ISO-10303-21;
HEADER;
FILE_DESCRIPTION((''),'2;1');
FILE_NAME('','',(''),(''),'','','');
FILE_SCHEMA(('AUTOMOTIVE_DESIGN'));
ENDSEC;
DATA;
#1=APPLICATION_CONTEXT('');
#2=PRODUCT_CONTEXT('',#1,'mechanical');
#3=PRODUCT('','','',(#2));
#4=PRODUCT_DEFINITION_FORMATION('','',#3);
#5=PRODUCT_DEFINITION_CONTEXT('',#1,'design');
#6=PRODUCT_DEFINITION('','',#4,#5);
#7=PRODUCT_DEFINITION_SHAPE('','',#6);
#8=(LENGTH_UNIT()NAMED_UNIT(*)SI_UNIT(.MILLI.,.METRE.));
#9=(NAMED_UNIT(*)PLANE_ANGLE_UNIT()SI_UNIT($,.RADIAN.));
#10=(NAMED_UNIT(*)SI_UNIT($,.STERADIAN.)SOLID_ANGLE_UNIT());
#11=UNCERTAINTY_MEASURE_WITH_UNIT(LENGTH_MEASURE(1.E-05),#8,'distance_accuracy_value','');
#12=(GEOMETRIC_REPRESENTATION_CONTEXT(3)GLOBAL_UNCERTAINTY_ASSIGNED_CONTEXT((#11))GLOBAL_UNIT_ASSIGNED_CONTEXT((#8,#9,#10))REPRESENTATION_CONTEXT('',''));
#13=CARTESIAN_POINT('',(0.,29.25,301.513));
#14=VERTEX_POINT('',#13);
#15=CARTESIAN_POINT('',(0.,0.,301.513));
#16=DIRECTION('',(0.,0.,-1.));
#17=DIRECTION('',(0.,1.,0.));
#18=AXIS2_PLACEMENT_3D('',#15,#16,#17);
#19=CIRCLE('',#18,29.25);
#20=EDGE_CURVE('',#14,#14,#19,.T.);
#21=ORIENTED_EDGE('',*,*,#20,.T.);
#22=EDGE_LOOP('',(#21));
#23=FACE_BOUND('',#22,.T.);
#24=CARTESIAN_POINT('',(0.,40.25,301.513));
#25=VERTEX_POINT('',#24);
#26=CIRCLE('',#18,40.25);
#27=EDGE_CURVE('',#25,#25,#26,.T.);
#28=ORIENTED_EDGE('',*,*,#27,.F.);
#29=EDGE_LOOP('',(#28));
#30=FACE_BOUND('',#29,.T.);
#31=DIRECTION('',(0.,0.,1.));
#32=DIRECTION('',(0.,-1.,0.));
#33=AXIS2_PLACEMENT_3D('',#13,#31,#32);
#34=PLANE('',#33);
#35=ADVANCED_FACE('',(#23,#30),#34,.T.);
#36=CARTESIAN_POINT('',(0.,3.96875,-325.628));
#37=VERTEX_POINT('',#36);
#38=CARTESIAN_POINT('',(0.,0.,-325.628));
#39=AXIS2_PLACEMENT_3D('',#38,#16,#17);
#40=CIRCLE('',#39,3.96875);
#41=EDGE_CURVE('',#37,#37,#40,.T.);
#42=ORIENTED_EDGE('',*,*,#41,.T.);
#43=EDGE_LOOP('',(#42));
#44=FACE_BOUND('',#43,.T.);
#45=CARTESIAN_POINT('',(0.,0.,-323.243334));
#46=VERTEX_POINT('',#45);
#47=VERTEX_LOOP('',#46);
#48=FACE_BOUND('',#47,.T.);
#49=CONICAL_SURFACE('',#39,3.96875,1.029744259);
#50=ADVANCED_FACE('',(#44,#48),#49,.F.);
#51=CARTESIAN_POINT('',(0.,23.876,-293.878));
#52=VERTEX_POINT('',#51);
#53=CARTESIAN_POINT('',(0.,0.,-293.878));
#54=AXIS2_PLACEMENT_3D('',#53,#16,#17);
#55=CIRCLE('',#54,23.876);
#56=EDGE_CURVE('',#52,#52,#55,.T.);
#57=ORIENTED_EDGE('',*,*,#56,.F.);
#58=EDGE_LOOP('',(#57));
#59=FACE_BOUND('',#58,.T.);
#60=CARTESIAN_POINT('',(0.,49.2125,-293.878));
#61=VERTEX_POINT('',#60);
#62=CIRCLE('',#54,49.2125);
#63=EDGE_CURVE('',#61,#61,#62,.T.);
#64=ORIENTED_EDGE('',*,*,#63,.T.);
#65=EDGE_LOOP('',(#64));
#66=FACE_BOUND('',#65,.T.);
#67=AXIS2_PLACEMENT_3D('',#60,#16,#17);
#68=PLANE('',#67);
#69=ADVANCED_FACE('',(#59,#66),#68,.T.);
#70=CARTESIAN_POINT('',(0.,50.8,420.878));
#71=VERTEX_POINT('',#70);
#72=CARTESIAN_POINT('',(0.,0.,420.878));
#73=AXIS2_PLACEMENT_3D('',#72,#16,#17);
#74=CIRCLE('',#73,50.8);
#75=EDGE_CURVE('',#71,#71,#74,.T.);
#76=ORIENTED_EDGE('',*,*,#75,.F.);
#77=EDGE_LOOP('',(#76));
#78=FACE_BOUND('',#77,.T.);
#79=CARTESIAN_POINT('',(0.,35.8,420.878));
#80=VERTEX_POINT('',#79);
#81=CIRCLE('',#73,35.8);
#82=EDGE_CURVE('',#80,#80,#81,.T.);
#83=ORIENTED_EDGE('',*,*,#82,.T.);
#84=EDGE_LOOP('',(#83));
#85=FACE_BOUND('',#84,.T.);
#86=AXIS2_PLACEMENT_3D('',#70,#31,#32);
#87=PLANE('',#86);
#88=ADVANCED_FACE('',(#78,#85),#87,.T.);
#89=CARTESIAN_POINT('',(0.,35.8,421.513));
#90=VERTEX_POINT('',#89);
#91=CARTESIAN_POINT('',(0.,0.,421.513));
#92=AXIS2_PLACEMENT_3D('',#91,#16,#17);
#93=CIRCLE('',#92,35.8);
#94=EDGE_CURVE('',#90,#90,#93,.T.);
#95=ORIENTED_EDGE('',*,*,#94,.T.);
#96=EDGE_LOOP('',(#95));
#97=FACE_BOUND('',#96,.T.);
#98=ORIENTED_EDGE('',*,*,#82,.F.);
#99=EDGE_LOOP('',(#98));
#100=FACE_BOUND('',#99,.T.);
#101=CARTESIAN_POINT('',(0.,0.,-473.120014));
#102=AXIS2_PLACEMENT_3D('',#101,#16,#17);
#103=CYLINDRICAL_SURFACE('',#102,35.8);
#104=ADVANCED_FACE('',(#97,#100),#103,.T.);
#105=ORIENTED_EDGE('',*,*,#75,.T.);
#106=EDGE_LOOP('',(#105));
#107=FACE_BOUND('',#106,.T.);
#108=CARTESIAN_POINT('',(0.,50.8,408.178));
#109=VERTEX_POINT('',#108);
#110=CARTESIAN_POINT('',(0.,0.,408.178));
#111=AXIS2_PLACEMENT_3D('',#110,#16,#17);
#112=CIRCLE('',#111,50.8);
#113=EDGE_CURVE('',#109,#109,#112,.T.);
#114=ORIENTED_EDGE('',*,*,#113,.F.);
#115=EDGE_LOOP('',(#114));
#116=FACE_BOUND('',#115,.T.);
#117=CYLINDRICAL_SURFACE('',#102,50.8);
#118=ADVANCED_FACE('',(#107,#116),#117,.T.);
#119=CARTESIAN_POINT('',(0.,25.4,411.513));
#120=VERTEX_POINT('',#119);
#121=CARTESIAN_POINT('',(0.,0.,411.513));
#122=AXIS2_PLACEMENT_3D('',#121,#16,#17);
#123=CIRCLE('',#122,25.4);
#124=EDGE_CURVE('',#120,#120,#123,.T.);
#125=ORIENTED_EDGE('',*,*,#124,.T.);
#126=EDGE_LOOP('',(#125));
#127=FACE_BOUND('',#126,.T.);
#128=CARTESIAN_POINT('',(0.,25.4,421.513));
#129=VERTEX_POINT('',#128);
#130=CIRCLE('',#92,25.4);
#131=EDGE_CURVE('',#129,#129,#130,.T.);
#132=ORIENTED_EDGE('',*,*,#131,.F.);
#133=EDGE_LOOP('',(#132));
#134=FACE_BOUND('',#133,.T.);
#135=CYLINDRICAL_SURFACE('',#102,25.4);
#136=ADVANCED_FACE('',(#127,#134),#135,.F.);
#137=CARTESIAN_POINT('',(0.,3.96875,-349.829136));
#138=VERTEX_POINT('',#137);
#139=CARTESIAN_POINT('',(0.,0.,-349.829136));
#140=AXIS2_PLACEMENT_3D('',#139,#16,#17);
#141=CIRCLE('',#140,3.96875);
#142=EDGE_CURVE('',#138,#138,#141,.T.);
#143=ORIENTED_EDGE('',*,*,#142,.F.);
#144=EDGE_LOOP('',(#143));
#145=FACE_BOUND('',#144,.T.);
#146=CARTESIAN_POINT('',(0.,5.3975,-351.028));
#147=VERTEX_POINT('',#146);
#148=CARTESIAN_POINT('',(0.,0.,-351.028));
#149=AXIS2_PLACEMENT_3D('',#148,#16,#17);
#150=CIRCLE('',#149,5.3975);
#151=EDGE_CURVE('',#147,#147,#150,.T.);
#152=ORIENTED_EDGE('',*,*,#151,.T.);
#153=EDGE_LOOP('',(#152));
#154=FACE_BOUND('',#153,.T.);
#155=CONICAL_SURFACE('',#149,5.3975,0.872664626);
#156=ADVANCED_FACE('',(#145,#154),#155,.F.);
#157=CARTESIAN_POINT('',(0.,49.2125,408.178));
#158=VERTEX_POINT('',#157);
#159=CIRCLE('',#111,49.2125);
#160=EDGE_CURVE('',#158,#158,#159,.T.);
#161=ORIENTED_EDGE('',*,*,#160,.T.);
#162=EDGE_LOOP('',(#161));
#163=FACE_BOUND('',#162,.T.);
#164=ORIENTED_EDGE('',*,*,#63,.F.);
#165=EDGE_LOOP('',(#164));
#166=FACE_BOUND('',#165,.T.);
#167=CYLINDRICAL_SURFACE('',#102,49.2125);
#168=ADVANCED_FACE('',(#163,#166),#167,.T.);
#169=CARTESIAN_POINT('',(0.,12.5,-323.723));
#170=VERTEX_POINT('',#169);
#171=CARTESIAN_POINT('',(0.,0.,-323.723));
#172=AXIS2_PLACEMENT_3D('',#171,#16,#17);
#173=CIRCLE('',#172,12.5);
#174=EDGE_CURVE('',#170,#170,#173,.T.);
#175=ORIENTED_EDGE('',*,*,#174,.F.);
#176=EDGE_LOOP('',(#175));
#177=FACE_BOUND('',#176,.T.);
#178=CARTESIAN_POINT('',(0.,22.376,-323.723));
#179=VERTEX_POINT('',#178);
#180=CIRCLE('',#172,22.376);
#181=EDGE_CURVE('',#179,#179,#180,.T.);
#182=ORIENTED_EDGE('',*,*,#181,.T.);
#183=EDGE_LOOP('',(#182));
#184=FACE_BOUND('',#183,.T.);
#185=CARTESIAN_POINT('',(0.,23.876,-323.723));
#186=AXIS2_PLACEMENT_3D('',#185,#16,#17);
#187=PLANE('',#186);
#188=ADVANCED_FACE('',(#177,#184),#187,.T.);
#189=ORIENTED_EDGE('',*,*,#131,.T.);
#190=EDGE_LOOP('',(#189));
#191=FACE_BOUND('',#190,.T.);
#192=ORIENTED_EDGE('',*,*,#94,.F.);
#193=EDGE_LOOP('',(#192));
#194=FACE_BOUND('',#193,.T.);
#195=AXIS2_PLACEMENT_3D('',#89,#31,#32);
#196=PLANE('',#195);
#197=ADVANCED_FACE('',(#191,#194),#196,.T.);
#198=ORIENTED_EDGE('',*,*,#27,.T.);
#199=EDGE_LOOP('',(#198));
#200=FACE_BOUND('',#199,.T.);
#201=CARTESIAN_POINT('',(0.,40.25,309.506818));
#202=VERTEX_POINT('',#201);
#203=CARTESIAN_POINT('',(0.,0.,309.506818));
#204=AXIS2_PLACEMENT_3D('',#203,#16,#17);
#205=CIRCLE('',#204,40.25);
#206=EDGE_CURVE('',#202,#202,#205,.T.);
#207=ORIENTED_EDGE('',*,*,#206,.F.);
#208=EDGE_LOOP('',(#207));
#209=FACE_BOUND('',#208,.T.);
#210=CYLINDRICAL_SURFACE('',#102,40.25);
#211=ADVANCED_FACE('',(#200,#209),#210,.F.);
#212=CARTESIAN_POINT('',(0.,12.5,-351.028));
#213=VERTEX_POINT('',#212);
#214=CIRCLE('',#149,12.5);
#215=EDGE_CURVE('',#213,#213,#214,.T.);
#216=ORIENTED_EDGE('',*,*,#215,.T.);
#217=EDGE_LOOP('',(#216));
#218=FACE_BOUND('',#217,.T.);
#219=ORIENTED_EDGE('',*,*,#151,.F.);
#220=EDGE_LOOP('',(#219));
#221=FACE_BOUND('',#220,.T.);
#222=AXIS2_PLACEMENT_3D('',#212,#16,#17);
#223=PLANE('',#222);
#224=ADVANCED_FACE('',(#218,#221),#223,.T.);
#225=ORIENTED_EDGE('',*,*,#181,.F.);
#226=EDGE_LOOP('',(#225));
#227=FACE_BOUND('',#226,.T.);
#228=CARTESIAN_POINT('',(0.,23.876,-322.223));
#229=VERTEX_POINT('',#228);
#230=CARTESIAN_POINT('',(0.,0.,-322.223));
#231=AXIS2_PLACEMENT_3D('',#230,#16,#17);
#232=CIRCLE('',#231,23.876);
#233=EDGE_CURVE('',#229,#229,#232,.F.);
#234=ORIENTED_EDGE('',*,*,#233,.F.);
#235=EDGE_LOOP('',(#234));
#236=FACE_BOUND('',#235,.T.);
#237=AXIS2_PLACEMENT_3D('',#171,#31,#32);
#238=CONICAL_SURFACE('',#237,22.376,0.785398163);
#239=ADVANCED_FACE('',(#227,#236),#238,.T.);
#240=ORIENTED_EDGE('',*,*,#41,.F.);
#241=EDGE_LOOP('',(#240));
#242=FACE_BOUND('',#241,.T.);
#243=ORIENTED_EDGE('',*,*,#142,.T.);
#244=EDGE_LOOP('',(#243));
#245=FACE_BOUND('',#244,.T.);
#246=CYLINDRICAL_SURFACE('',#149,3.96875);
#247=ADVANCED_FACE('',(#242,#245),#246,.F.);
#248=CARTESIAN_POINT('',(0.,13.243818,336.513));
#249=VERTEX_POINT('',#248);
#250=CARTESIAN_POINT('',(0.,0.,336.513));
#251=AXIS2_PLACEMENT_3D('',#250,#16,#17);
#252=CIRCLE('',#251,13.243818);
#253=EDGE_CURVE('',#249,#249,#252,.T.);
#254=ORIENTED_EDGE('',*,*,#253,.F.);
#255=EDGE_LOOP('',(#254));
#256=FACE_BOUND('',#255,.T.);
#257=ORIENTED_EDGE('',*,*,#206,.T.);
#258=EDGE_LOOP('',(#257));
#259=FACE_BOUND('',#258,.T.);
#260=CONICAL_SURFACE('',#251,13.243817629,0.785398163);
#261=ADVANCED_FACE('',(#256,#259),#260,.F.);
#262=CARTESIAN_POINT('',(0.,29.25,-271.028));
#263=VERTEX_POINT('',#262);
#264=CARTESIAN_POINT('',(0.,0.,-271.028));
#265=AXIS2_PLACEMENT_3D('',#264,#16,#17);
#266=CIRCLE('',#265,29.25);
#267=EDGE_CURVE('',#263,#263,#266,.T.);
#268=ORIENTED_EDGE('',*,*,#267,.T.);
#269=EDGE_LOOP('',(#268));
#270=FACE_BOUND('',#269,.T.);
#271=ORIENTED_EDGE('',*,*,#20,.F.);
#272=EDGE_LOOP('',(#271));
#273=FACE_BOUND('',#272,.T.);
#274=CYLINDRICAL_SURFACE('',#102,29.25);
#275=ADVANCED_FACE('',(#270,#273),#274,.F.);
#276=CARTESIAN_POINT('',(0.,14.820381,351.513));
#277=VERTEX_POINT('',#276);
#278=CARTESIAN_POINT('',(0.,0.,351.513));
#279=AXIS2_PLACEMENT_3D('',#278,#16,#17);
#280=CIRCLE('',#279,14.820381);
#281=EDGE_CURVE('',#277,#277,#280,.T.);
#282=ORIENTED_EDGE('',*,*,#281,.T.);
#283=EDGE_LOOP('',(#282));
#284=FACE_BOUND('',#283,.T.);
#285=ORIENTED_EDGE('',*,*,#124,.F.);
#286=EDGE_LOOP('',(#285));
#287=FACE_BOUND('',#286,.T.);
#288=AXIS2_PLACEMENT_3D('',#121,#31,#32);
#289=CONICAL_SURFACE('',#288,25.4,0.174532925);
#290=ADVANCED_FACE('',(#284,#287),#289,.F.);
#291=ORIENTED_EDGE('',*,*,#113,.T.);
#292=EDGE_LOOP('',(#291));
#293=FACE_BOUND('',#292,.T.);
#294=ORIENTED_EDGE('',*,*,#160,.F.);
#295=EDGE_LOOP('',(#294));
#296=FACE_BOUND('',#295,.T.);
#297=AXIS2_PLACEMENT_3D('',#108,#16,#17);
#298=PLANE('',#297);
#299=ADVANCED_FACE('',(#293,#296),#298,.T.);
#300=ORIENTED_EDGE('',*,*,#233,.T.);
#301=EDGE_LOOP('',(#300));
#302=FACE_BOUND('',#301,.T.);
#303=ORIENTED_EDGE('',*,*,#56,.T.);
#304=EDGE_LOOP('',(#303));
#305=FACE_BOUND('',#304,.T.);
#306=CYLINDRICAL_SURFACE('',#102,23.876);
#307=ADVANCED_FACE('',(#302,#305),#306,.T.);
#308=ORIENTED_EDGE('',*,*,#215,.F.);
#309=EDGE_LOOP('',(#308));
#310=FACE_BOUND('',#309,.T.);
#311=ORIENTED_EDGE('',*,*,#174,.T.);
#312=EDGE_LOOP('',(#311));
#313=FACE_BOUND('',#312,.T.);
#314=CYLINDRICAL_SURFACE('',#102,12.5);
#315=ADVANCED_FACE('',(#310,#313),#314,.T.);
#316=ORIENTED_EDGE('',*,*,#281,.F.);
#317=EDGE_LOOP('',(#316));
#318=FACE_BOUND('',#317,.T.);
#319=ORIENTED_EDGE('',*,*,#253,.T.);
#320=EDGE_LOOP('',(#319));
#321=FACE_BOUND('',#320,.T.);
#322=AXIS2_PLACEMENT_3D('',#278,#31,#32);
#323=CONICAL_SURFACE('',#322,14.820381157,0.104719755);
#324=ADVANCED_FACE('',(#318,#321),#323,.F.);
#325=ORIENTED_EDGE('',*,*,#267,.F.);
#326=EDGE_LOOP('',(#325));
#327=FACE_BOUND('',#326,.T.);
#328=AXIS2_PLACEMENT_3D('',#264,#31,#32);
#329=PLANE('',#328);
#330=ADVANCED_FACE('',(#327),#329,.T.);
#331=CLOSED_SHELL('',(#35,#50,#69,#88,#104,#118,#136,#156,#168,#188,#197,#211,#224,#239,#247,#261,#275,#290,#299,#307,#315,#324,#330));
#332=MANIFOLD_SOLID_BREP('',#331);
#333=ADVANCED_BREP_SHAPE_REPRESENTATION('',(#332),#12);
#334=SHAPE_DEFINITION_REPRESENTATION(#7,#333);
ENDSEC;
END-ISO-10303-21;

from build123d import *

# Parameters (mm, degrees)
CHAMFER1_SIZE                     = 1.5
F_3_8_16_TAPPED_HOLE1_D           = 7.9375
F_3_8_16_TAPPED_HOLE1_DEPTH       = 25.4
F_3_8_16_TAPPED_HOLE1_CSINK_D     = 10.795
F_3_8_16_TAPPED_HOLE1_CSINK_ANGLE = 100
F_3_8_16_TAPPED_HOLE1_TIP         = 2.384665582


with BuildPart() as part:
    # Sketch1 → Revolve1 (revolve)
    with BuildSketch(Plane(origin=(0, 0, 0), x_dir=(0, 0, -1), z_dir=(1, 0, 0))):
        Polygon((-420.878, 50.8), (-408.178, 50.8), (-408.178, 49.2125), (293.878, 49.2125), (293.878, 23.876), (323.723, 23.876), (323.723, 12.5), (351.028, 12.5), (351.028, 0), (271.028, 0), (271.028, 29.25), (-301.513, 29.25), (-301.513, 40.25), (-309.506817629, 40.25), (-336.513, 13.243817629), (-351.513, 14.820381157), (-411.513, 25.4), (-421.513, 25.4), (-421.513, 35.8), (-420.878, 35.8), align=None)
    revolve(axis=Axis((0, 0, -473.12001368), (0, 0, 1)))

    # Chamfer1
    chamfer1_edges = [part.edges().sort_by_distance(p)[0] for p in [
        (0, -23.876, -323.723),
    ]]
    chamfer(chamfer1_edges, length=CHAMFER1_SIZE)

    # 3/8-16 Tapped Hole1
    with Locations(Plane(origin=(0, 0, -351.028), x_dir=(-1, 0, 0), z_dir=(0, 0, -1))):
        with Locations((0, 0)):
            CounterSinkHole(F_3_8_16_TAPPED_HOLE1_D / 2, F_3_8_16_TAPPED_HOLE1_CSINK_D / 2, depth=F_3_8_16_TAPPED_HOLE1_DEPTH, counter_sink_angle=F_3_8_16_TAPPED_HOLE1_CSINK_ANGLE)
            with Locations((0, 0, -(F_3_8_16_TAPPED_HOLE1_DEPTH + F_3_8_16_TAPPED_HOLE1_TIP / 2))):  # 118° drill point
                Cone(0, F_3_8_16_TAPPED_HOLE1_D / 2, F_3_8_16_TAPPED_HOLE1_TIP, mode=Mode.SUBTRACT)


solid = part.part
